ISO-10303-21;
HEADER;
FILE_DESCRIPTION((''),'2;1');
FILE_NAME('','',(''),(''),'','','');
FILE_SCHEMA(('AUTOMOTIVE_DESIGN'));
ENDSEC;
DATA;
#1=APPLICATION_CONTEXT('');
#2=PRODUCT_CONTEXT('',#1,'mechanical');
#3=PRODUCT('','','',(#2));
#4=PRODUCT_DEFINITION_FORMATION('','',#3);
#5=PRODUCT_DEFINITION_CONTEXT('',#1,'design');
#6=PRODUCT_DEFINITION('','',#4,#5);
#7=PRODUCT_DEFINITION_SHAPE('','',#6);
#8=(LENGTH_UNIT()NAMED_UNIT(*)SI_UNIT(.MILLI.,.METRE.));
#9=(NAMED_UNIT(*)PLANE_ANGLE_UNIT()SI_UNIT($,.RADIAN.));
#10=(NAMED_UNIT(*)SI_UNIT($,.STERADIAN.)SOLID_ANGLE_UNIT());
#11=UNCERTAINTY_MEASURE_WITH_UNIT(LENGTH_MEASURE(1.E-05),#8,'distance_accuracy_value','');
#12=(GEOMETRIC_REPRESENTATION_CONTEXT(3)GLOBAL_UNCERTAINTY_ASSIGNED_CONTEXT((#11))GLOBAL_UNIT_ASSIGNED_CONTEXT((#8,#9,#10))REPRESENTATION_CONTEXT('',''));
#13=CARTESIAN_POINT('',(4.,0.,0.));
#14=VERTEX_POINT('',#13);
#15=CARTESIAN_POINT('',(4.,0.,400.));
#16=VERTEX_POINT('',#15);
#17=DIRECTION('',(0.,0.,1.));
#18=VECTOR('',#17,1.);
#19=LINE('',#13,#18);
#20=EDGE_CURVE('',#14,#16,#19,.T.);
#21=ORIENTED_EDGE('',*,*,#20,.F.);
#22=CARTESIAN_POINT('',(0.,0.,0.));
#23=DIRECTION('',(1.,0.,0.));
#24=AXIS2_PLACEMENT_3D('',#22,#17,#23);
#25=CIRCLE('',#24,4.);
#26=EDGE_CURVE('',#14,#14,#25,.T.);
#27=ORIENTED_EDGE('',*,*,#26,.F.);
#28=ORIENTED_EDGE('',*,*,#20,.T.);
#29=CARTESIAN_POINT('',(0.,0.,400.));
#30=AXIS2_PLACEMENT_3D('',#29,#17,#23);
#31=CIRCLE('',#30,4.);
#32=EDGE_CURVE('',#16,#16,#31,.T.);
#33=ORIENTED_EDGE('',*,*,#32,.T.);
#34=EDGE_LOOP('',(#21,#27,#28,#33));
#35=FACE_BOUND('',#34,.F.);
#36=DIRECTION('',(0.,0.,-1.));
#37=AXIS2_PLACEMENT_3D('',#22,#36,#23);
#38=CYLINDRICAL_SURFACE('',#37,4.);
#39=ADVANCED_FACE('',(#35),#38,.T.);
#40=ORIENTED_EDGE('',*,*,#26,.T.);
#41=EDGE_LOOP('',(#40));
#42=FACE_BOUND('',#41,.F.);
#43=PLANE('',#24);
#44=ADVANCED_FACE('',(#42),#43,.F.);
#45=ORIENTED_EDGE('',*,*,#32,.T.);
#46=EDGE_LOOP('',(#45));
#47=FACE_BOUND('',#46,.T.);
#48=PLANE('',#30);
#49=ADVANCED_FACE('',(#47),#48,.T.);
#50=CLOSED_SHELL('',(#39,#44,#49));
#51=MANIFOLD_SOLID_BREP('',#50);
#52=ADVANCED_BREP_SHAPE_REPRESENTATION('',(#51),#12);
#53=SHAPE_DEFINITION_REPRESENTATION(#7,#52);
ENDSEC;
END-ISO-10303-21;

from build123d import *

# Parameters (mm, degrees)
SKETCH1_R           = 4
BOSS_EXTRUDE1_DEPTH = 400


with BuildPart() as part:
    # Sketch1 → Boss-Extrude1 (new body)
    with BuildSketch(Plane.XY):
        Circle(SKETCH1_R)
    extrude(amount=BOSS_EXTRUDE1_DEPTH)


solid = part.part
